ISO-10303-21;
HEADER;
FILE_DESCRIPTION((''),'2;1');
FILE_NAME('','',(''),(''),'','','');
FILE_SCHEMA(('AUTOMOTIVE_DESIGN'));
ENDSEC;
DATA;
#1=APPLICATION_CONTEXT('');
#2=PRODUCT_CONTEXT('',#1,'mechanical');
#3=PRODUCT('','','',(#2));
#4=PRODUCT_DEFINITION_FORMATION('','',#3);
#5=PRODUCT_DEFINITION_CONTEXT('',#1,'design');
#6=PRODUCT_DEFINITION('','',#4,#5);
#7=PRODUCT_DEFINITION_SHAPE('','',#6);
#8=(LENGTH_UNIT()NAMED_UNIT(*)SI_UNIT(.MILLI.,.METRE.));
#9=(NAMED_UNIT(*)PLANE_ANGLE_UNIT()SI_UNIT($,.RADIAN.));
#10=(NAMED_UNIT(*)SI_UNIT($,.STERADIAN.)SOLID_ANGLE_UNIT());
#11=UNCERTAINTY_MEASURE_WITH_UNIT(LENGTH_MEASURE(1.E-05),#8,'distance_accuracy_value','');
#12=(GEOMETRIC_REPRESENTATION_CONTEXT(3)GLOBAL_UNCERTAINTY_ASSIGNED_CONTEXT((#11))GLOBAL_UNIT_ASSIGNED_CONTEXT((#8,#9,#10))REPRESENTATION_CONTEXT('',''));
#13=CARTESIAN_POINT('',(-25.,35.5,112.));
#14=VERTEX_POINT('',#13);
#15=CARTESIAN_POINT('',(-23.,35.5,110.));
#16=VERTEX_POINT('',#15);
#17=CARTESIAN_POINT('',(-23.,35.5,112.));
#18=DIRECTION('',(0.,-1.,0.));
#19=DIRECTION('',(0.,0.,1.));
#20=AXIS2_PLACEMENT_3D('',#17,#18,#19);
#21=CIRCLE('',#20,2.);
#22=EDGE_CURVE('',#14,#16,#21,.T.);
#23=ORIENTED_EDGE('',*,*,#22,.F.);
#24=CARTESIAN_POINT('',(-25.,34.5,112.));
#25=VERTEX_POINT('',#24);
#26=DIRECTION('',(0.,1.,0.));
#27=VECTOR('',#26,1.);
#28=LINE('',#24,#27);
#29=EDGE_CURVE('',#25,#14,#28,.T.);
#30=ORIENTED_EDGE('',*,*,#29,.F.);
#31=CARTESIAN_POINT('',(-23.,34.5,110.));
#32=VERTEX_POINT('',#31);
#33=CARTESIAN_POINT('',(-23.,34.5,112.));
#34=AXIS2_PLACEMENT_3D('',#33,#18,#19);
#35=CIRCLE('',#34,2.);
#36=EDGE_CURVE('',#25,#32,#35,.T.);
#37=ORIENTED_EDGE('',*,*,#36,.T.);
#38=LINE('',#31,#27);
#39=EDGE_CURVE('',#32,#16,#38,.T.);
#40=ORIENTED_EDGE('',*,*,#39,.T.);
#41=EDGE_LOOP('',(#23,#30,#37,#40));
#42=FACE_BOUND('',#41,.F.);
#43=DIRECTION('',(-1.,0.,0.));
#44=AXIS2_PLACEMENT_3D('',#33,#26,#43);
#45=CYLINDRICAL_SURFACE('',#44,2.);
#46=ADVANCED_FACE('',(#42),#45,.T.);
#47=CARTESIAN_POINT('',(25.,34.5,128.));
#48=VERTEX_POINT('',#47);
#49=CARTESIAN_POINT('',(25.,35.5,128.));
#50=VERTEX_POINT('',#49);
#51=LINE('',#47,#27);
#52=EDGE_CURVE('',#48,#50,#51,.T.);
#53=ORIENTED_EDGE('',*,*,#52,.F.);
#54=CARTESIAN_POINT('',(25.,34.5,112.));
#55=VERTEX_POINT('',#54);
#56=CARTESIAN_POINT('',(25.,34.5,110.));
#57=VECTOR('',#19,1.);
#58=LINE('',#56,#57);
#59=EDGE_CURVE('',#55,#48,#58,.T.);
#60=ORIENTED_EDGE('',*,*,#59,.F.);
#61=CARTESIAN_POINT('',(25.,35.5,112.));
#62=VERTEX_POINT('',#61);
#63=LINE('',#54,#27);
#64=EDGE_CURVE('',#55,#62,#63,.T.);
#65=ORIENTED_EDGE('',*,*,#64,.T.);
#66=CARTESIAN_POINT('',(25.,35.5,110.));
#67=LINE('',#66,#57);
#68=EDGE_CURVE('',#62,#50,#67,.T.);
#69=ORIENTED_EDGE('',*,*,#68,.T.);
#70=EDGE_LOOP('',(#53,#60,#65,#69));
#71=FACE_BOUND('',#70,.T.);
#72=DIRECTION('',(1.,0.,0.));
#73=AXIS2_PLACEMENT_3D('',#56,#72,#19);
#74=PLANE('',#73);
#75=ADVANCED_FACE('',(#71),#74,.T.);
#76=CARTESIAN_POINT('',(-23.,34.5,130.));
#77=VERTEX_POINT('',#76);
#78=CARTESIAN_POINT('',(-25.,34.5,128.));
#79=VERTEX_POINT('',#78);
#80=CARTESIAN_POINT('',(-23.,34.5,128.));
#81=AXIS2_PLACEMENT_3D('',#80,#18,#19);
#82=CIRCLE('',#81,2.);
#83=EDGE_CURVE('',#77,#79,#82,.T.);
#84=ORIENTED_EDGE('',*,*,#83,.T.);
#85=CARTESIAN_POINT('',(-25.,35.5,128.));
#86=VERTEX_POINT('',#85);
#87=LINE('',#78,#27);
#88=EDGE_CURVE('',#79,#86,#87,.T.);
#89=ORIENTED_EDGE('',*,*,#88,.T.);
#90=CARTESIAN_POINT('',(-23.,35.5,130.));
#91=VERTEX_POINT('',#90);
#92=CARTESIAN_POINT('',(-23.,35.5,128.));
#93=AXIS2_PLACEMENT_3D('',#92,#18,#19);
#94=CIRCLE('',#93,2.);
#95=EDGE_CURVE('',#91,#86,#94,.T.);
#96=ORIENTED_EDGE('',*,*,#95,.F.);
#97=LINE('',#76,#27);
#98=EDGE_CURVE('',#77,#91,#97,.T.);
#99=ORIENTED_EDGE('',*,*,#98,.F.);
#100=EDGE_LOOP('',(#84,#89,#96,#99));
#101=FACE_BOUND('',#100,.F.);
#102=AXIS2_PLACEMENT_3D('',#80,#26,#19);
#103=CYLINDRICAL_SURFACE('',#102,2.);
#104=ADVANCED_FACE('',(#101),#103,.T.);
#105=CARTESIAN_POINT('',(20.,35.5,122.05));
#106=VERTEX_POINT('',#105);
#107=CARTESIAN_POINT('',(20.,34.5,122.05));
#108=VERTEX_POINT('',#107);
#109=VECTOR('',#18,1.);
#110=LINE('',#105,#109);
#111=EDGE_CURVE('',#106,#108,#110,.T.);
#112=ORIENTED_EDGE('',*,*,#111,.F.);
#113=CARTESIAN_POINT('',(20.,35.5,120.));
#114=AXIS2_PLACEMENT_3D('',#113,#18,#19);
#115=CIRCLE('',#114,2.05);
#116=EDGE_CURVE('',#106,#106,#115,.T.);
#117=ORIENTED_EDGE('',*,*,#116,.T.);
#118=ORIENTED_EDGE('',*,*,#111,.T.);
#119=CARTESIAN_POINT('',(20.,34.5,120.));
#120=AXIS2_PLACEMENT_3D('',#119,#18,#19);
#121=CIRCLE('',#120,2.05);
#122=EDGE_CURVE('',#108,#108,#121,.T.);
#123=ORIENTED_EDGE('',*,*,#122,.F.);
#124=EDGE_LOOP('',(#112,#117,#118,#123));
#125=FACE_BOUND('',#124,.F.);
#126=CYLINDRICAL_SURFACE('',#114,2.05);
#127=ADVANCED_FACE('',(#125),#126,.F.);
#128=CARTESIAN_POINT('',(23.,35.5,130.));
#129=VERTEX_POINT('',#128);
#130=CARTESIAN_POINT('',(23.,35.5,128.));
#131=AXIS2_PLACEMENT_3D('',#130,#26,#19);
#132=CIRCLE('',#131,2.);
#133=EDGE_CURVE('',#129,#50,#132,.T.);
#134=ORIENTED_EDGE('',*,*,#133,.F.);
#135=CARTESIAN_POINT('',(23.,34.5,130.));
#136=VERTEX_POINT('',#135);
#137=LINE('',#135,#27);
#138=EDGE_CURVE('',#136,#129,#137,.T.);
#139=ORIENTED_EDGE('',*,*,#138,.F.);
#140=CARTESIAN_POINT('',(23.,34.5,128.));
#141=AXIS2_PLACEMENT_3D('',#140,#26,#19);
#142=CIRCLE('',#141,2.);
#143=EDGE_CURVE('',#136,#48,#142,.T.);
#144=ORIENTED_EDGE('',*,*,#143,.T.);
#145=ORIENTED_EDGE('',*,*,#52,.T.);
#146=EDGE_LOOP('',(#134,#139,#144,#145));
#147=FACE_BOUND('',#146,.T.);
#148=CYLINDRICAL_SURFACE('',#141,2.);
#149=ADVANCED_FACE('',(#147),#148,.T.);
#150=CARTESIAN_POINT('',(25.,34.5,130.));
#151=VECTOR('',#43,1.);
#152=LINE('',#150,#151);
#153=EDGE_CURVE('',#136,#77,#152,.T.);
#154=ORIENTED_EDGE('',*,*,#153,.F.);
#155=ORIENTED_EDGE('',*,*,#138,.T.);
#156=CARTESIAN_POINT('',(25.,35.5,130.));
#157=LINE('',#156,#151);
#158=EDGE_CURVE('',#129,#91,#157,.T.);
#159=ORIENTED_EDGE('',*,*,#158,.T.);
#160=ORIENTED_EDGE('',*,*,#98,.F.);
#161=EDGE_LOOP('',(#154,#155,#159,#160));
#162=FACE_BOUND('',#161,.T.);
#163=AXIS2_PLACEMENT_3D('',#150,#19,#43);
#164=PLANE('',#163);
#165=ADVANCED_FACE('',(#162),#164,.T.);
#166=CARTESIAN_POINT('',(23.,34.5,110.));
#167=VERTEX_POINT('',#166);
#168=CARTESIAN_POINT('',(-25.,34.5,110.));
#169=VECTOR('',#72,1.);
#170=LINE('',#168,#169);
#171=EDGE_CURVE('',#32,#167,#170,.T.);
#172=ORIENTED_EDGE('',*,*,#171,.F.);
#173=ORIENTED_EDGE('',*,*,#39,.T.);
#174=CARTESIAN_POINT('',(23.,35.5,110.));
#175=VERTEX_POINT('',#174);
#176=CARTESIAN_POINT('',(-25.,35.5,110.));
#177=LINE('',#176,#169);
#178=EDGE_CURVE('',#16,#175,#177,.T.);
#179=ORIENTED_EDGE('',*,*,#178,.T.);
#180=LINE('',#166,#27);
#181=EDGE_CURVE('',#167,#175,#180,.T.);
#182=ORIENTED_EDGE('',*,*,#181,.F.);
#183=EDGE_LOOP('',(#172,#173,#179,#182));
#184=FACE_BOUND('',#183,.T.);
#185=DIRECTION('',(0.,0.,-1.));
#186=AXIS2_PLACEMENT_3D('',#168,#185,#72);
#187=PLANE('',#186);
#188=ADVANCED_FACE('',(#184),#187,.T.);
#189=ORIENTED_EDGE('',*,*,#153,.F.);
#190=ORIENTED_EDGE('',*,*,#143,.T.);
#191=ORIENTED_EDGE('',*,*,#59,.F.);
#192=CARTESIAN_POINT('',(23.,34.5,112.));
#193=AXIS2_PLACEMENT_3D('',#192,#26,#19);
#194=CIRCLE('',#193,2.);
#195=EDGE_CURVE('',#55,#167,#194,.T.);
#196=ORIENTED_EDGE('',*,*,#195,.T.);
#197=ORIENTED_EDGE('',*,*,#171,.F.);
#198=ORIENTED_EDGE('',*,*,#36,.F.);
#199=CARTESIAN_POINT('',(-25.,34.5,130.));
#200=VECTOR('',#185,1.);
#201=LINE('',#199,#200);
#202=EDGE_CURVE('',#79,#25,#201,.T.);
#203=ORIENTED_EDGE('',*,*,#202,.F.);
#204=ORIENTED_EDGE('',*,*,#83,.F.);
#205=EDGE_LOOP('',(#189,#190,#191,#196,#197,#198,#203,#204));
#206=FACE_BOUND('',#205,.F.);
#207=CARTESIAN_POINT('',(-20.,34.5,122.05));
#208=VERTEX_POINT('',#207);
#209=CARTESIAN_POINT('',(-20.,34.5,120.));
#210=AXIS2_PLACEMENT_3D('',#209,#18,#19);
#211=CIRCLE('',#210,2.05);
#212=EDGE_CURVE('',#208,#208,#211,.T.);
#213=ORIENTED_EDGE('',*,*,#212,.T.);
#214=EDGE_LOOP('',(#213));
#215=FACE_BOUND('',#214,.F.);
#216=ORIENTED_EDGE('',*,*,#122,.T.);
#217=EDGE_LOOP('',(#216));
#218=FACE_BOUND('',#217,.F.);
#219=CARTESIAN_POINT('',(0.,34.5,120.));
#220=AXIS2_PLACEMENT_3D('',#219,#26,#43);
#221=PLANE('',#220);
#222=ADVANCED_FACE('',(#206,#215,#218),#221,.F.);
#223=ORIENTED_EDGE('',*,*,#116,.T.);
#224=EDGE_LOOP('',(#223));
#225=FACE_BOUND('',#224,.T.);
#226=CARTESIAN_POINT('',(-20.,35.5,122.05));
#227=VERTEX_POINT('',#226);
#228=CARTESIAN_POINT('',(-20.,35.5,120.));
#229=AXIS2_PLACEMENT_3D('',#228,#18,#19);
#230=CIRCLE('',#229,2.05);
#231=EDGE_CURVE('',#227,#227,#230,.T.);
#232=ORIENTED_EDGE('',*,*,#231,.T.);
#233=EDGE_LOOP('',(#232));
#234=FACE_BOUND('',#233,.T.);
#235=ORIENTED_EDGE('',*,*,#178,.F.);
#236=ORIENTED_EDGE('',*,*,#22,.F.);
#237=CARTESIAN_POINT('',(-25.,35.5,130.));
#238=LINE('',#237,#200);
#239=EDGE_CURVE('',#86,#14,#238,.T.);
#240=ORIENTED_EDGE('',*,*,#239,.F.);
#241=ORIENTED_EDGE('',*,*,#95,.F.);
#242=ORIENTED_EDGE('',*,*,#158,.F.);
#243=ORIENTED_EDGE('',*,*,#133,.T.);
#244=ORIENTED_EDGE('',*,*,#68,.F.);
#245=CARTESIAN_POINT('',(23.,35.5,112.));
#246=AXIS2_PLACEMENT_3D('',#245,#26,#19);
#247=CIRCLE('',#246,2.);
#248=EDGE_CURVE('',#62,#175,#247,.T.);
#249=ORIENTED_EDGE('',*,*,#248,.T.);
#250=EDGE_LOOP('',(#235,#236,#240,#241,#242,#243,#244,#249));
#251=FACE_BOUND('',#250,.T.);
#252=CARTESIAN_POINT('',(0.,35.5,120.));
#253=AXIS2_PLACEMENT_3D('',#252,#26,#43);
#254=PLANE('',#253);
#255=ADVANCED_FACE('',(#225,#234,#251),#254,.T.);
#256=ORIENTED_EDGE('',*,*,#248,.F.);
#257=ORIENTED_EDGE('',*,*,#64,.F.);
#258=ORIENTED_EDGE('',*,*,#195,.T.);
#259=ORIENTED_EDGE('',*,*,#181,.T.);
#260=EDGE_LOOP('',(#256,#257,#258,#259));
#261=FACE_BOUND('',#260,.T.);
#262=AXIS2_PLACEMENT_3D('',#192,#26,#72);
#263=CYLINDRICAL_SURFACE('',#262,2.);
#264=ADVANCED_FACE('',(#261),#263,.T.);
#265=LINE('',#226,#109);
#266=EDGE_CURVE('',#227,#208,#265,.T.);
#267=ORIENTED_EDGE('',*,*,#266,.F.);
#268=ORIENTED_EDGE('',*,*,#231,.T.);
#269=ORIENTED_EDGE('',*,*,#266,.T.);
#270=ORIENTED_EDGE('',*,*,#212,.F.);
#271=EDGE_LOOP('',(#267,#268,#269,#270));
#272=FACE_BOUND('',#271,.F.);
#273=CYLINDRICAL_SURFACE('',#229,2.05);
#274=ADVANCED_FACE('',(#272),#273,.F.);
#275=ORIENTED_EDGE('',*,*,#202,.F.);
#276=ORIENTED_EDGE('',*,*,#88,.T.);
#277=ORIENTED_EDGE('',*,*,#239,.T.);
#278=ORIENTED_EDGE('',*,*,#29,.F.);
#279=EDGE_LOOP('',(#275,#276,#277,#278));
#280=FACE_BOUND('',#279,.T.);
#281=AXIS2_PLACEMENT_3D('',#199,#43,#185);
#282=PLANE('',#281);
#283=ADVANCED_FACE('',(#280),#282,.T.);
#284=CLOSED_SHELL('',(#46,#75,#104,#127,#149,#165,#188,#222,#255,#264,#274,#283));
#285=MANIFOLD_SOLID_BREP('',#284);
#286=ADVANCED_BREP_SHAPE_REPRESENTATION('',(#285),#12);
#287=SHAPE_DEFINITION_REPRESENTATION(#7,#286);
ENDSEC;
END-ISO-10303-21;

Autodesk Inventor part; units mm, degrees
ref_plane "YZ Plane" through (0, 0, 0) normal (1, 0, 0) x (0, 1, 0)
ref_plane "XY Plane" through (0, 0, 0) normal (0, 0, 1) x (1, 0, 0)
sketch "Sketch2" plane through (0, 0, 0) normal (1, 0, 0) x (0, 1, 0)
  circle A0 centre (27, 120) radius 7.5 projected
  line L0 (27, 120) -> (34.5, 120)
  point P0 (0, 0)
ref_plane "Work Plane1" through (0, 34.5, 120) normal (0, 1, 0) x (-1, 0, 0)
sketch "Sketch3" plane through (0, 34.5, 120) normal (0, 1, 0) x (-1, 0, 0)
  line L0 (0, -120) -> (0, 59.5473) construction
  line L1 (-25, 10) -> (25, 10)
  line L2 (25, 10) -> (25, -10)
  line L3 (25, -10) -> (-25, -10)
  line L4 (-25, -10) -> (-25, 10)
  line L5 (-25, 0) -> (25, 0) construction
  point P0 (0, 0)
  point P1 (0, 0)
  point P2 (0, 0)
  dimension "d2" = 20
  dimension "d3" = 50
extrude "Extrusion1" add sketch "Sketch3" along normal blind 1
sketch "Sketch4" plane through (0, 35.5, 120) normal (0, 1, 0) x (1, 0, 0)
  line L0 (25, -10) -> (25, 10) construction
  line L1 (25, 0) -> (-25, 0) construction
  line L2 (-25, 10) -> (-25, -10) construction
  line L3 (-25, -10) -> (25, -10) construction
  line L4 (20, -10) -> (20, 10) construction
  line L5 (25, 10) -> (-25, 10) construction
  line L6 (-20, -10) -> (-20, 10) construction
  point P0 (0, 120)
  point P1 (20, 0)
  point P2 (-20, 0)
  dimension "d6" = 5
  dimension "d7" = 5
hole "Hole1" at (20, 35.5, 120) at (-20, 35.5, 120) direction (0, -1, 0) diameter 4.1 end through all
fillet "Fillet1" radius 2 4 edges at (25, 35, 130) (25, 35, 110) (-25, 35, 130) (-25, 35, 110)
ref_plane "Work Plane2" through (-23, 34.5, 120) normal (0, 0, 1) x (1, 0, 0)
properties part number "Plate" material "Steel, High Strength, Low Alloy"
